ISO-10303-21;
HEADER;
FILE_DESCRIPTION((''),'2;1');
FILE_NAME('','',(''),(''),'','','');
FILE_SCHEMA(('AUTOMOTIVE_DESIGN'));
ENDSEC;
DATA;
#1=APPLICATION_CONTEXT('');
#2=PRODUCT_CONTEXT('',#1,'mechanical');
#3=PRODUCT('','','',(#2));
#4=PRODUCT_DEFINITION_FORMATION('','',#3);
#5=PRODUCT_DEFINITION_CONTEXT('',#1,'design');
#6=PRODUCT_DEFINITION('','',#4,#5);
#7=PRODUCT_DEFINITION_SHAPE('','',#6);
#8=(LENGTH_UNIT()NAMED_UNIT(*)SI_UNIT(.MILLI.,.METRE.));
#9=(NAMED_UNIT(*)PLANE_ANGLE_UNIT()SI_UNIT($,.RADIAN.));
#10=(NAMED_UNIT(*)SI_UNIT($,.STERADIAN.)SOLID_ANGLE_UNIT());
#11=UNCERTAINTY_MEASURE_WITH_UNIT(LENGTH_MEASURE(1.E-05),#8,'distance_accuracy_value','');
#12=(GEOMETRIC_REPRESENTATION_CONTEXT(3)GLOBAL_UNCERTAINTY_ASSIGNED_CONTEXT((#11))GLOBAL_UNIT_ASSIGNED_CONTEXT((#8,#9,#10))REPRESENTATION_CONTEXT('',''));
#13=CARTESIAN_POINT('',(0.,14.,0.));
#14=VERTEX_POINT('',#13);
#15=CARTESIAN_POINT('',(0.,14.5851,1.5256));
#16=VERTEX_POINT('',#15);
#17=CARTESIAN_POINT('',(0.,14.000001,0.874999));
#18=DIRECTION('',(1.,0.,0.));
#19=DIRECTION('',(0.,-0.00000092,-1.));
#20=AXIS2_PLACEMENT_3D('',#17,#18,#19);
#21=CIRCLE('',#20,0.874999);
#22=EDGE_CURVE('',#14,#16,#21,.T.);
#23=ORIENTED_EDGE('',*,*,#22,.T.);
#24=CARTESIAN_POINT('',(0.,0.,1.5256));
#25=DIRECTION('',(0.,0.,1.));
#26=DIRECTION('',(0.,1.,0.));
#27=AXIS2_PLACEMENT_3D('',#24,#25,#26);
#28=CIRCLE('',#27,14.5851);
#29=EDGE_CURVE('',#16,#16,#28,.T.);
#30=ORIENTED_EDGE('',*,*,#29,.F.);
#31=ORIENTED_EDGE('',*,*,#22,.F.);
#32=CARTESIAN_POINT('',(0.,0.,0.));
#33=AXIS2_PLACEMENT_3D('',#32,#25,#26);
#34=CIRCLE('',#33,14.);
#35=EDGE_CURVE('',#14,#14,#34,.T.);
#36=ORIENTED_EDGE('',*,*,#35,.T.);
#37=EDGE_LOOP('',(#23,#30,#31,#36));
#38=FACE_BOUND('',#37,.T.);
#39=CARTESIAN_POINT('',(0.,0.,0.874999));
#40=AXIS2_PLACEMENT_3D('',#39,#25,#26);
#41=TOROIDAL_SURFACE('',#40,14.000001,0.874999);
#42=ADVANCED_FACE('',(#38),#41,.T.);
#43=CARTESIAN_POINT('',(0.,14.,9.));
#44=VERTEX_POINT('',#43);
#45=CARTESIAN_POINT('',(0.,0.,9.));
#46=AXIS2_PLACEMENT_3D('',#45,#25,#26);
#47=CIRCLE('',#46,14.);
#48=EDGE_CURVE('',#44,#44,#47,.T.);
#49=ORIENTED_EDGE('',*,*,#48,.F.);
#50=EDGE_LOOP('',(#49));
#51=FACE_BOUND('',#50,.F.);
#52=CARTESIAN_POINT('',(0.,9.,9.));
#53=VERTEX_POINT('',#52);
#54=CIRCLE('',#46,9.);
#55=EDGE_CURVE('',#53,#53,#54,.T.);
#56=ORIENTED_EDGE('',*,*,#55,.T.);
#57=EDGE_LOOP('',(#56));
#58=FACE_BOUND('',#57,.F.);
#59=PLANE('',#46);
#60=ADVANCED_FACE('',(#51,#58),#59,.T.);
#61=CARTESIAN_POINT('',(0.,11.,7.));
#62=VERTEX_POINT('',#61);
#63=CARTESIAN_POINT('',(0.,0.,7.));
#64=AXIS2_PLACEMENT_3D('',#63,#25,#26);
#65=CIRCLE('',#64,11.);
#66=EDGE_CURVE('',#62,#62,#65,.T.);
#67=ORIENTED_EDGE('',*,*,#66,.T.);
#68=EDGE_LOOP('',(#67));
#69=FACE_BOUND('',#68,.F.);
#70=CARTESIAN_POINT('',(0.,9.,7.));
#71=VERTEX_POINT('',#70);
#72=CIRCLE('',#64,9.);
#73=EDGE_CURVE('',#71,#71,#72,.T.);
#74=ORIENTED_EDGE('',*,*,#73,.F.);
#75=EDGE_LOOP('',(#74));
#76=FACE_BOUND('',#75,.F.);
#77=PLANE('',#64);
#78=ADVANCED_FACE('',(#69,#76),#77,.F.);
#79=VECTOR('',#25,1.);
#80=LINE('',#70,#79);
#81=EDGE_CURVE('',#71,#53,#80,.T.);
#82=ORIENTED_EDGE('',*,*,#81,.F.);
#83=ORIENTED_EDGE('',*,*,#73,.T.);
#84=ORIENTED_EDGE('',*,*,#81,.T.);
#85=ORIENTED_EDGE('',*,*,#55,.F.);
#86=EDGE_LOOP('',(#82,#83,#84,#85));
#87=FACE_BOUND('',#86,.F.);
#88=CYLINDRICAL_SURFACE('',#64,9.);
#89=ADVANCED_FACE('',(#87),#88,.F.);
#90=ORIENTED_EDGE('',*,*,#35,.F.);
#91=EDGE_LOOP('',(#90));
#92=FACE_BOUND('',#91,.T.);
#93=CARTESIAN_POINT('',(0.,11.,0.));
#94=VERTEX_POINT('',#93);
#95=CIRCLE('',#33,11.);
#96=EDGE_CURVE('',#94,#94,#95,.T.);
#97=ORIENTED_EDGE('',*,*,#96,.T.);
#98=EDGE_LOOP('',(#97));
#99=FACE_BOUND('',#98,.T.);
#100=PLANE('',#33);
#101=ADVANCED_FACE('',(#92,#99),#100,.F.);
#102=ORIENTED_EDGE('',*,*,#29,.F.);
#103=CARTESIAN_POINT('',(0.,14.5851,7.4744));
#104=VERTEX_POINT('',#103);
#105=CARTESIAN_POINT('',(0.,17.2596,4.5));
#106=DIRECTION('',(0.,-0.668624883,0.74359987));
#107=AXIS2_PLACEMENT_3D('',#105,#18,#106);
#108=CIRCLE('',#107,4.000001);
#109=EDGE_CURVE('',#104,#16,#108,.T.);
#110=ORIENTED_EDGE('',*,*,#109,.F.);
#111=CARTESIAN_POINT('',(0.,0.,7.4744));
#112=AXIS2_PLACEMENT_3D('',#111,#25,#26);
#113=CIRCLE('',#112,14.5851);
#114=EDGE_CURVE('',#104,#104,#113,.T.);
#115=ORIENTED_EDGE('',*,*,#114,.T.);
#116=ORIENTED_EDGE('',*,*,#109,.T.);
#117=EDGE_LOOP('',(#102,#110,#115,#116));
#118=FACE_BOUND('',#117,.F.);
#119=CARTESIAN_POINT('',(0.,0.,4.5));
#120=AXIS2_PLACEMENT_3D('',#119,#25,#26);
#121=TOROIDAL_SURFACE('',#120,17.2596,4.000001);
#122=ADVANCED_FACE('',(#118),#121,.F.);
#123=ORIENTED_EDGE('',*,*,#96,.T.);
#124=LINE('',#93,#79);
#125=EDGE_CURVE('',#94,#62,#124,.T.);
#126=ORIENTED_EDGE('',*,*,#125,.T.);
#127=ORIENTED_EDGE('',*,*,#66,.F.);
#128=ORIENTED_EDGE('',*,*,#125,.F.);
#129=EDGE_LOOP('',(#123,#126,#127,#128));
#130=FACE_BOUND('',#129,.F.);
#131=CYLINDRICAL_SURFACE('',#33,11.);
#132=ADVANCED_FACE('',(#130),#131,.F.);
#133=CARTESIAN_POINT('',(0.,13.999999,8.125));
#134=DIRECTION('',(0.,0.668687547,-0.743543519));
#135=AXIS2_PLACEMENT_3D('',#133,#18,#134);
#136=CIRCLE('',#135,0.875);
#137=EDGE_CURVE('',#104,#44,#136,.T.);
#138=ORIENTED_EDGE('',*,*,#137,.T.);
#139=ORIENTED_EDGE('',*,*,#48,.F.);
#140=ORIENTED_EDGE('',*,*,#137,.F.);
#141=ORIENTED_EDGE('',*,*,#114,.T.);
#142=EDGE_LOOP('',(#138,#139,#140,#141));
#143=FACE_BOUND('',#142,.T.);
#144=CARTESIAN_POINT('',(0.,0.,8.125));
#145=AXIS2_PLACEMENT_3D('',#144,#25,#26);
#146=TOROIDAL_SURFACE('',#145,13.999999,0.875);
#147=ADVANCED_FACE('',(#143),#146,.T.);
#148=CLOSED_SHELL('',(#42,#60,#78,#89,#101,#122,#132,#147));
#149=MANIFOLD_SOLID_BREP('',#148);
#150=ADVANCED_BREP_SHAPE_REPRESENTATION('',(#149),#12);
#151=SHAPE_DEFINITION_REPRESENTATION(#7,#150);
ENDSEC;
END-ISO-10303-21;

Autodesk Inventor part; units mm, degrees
ref_plane "YZ Plane" through (0, 0, 0) normal (1, 0, 0) x (0, 1, 0)
ref_plane "XZ Plane" through (0, 0, 0) normal (0, 1, 0) x (-1, 0, 0)
ref_plane "XY Plane" through (0, 0, 0) normal (0, 0, 1) x (1, 0, 0)
sketch "Sketch1" plane through (0, 0, 0) normal (1, 0, 0) x (0, 1, 0)
  line L0 (0, 0) -> (0, 7) construction
  line L1 (11, 0) -> (11, 7)
  line L2 (11, 7) -> (9, 7)
  line L3 (9, 7) -> (9, 9)
  line L4 (9, 9) -> (14, 9)
  line L5 (11, 0) -> (14, 0)
  arc A0 (14.5851, 7.4744) -> (14, 9) centre (14, 8.125) ccw
  arc A1 (14.5851, 7.4744) -> (14.5851, 1.5256) centre (17.2596, 4.5) ccw
  arc A2 (14, 0) -> (14.5851, 1.5256) centre (14, 0.875) ccw
  line L6 (14.875, 0.875) -> (14.875, -2.7883) construction
  line L7 (13.2596, 4.5) -> (13.2596, 8) construction
  dimension "d0" = 7
  dimension "d1" = 11
  dimension "d2" = 2
  dimension "d3" = 2
  dimension "d5" = 3
  dimension "d6" = 4
  dimension "d7" = 0.875
  dimension "d9" = 13.2596
  dimension "d10" = 14.875
revolve "Revolution1" add sketch "Sketch1" angle 360 about axis through (0, 0, 0) along (0, 0, 1)
properties part number "bearingPulley"
